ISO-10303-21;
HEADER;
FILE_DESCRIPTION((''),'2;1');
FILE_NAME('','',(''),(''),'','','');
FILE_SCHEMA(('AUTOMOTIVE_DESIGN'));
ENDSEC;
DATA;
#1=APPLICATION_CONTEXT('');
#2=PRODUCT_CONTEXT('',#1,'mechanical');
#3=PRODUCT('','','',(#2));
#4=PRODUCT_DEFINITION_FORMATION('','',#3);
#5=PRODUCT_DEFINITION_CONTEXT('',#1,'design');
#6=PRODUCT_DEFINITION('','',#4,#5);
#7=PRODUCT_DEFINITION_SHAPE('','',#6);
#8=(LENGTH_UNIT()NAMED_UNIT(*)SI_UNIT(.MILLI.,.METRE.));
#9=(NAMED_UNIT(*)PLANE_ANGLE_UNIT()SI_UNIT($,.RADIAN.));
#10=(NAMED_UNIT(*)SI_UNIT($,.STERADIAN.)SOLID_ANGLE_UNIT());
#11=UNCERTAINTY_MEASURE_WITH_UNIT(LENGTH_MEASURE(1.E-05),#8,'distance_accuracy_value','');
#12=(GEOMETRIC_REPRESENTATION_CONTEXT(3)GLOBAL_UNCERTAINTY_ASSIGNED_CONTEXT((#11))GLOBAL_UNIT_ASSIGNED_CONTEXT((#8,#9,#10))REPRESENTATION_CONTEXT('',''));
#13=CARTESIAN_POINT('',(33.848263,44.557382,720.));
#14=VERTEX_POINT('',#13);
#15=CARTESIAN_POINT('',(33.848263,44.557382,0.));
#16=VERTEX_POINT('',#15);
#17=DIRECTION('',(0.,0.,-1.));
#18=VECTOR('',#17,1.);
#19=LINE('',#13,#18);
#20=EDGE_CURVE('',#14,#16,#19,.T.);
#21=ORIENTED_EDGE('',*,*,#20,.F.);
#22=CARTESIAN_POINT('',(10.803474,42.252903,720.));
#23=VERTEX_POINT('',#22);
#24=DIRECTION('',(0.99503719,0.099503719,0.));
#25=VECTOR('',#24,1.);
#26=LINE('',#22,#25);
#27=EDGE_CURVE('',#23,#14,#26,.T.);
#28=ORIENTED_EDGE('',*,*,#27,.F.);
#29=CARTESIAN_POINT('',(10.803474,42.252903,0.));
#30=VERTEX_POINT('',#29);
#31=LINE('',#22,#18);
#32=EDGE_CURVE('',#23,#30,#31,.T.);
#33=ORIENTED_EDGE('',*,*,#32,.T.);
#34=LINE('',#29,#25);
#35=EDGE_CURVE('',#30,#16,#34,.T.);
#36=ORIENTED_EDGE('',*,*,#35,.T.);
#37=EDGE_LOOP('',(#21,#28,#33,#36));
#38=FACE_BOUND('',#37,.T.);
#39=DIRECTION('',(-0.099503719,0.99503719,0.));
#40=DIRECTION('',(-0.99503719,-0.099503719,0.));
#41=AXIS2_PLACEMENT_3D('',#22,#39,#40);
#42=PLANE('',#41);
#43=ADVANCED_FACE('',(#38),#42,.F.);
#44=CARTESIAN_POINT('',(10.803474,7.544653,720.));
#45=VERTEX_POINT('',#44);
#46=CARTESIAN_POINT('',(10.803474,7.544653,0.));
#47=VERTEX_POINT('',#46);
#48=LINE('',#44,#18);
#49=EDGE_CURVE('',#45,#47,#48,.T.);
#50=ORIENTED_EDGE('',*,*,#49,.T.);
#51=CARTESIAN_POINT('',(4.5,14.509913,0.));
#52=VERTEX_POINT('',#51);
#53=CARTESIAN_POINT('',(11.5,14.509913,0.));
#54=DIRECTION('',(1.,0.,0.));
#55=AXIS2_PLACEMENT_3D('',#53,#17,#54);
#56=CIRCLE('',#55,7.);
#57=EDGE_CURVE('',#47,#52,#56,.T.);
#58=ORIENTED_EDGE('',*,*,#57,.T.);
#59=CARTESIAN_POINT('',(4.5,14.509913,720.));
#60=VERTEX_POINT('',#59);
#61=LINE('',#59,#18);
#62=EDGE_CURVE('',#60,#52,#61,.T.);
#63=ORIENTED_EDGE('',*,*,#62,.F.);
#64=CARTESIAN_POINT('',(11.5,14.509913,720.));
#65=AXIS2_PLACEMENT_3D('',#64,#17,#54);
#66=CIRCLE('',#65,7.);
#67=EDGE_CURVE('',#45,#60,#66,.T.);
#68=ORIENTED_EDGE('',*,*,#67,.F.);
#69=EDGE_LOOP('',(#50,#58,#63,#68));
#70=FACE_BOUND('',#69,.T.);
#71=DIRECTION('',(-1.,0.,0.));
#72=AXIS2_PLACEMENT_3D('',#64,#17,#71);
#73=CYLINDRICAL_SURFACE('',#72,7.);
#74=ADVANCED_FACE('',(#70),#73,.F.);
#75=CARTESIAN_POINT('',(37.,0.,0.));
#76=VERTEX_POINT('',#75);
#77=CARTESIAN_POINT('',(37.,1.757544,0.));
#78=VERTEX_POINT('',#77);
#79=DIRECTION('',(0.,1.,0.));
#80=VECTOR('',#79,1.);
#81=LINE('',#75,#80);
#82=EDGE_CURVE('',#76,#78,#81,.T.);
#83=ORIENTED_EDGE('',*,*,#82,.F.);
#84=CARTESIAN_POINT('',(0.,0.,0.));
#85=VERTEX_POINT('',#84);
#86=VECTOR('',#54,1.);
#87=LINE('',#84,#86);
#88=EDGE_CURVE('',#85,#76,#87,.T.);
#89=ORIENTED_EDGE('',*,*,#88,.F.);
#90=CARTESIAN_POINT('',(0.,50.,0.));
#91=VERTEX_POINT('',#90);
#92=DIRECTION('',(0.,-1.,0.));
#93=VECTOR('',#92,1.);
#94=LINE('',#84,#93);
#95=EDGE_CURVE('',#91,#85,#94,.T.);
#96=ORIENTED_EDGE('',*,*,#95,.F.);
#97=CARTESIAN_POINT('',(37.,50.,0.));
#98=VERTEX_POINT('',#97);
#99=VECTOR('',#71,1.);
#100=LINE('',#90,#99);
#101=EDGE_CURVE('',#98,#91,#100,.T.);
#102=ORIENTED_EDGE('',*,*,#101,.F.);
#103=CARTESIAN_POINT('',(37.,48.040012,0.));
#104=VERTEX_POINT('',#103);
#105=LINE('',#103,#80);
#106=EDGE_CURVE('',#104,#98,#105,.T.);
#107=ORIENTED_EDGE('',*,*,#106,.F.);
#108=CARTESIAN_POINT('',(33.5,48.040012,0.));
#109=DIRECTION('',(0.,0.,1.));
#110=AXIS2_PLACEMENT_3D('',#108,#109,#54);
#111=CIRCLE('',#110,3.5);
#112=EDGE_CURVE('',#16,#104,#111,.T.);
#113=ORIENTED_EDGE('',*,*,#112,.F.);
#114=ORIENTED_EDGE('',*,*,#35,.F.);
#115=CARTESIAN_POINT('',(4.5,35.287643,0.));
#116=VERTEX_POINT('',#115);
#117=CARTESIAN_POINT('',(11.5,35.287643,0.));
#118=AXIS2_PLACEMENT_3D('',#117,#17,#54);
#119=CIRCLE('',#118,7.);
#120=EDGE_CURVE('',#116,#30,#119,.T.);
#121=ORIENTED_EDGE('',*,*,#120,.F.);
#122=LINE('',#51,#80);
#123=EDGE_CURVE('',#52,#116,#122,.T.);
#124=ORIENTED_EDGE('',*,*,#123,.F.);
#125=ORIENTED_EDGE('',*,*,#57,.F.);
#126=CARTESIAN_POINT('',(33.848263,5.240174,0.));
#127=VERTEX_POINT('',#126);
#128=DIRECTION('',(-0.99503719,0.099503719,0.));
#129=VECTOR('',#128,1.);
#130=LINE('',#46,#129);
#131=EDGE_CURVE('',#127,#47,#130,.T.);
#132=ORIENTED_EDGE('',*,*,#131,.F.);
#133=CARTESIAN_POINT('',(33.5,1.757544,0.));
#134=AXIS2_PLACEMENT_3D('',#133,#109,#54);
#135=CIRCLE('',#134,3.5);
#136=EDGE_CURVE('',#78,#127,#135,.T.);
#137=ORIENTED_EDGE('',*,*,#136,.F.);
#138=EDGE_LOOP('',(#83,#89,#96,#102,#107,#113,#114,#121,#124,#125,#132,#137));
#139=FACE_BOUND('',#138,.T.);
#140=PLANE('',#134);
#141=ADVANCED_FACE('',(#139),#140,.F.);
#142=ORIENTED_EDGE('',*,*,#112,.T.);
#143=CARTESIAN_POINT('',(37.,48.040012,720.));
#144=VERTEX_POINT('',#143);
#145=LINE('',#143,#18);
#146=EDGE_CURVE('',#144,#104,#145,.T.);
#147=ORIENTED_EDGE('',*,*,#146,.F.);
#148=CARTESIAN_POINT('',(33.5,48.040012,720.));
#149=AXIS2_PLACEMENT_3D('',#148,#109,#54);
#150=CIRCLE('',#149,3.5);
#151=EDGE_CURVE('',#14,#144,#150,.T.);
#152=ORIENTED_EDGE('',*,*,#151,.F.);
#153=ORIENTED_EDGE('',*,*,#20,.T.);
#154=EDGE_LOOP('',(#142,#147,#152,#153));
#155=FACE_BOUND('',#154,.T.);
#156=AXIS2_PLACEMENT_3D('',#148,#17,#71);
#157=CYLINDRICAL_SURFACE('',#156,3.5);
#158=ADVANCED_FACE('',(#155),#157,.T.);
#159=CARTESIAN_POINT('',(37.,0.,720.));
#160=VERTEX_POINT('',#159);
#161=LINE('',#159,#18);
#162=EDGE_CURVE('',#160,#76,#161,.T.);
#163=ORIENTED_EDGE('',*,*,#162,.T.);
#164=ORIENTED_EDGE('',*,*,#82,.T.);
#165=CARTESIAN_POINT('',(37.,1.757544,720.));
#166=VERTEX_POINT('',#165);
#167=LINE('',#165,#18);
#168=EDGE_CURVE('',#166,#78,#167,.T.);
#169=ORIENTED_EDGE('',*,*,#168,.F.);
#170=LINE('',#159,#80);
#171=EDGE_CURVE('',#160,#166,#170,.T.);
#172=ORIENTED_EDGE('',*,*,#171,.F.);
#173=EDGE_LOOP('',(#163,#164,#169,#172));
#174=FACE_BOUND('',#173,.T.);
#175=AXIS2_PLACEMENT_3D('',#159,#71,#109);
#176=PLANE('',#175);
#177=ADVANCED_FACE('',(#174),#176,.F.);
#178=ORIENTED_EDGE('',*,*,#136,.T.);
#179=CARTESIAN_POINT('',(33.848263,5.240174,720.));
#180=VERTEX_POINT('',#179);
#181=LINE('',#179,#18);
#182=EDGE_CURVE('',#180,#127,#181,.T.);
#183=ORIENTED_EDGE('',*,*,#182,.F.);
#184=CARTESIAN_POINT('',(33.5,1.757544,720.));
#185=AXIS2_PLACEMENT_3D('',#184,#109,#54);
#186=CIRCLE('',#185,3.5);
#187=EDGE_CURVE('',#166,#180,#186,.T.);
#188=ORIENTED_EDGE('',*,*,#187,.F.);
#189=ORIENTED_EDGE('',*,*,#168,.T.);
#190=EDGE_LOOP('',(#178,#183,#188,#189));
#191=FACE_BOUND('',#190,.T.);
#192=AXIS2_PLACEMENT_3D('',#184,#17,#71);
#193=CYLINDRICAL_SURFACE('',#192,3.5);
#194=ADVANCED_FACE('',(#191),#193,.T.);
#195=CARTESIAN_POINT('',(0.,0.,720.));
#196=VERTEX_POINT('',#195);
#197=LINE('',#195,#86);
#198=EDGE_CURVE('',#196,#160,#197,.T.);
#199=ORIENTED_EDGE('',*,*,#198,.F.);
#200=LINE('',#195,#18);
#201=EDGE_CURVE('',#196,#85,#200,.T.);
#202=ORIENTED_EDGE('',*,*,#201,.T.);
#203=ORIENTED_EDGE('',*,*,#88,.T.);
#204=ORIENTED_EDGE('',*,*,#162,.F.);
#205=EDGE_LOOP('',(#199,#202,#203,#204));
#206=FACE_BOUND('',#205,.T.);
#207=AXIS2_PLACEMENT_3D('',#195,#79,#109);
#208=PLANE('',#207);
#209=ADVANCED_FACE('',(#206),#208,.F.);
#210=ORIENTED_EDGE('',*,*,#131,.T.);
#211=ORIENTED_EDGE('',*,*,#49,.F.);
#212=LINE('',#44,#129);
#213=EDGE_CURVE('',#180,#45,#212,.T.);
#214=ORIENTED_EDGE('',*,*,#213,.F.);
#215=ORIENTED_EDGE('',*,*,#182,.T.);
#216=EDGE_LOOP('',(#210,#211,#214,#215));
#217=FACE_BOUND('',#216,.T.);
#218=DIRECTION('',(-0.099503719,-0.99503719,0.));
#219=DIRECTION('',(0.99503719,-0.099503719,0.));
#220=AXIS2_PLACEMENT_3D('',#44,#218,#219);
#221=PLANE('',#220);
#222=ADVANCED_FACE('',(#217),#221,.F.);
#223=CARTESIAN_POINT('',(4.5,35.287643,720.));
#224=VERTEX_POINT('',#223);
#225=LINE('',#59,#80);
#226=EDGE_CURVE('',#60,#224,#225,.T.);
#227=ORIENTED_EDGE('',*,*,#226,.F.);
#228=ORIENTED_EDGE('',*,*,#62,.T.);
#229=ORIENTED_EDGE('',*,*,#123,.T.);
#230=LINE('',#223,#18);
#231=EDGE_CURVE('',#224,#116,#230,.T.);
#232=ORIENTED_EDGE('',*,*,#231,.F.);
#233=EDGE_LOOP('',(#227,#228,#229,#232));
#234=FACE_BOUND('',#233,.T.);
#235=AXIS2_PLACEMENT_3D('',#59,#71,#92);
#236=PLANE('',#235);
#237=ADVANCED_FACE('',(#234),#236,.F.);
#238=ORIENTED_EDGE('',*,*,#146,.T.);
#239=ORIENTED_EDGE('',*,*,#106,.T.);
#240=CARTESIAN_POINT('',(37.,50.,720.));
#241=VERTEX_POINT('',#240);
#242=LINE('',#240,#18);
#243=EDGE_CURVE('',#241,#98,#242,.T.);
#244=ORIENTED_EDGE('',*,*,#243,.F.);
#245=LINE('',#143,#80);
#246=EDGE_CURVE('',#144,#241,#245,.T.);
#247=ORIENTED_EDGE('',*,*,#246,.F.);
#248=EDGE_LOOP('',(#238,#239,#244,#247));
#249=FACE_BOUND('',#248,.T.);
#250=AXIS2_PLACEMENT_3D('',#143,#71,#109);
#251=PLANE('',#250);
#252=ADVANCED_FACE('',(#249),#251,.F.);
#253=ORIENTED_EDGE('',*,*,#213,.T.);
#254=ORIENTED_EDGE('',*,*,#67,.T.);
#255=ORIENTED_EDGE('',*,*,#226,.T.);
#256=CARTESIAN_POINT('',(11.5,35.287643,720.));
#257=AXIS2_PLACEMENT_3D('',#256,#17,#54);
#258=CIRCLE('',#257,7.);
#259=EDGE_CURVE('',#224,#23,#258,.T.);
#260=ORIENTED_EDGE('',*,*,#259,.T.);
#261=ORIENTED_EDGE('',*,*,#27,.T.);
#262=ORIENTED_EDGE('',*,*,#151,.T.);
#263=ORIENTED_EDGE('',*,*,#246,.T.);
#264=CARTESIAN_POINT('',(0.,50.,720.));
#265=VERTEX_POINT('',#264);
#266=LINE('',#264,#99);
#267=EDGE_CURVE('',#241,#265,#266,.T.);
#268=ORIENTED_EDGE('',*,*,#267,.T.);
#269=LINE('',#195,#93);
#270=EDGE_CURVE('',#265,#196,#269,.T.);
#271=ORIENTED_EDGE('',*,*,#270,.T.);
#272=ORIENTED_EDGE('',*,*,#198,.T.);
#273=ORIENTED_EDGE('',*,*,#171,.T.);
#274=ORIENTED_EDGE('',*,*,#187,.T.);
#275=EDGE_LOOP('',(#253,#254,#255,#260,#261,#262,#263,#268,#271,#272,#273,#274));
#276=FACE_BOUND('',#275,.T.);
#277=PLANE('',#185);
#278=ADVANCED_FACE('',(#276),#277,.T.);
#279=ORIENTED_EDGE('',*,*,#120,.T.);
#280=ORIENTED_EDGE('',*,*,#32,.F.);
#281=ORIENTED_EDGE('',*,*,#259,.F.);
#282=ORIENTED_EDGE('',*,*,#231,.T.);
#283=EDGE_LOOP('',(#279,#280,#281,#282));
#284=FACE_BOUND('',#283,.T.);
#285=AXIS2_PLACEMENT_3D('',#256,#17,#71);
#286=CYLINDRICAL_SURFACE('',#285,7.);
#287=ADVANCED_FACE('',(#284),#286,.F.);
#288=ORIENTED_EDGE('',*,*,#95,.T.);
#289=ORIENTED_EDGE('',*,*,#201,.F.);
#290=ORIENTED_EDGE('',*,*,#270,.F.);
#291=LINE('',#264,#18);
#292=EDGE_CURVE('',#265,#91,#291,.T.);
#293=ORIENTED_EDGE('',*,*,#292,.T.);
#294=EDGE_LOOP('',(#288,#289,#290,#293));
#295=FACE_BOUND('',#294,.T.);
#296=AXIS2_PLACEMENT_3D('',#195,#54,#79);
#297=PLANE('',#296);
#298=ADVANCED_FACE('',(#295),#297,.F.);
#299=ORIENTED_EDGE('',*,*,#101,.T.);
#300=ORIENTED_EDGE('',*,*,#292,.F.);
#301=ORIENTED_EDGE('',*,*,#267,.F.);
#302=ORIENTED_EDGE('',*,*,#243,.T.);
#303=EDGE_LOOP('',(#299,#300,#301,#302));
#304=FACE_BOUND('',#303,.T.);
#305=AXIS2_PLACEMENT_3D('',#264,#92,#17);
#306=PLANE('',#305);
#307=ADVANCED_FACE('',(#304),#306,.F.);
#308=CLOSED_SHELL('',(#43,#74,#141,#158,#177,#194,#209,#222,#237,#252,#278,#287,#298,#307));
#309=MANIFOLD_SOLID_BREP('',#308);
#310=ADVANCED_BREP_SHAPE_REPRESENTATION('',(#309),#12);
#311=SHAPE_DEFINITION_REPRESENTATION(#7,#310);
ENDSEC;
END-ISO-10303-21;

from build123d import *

# Parameters (mm, degrees)
EXTRUDE_1_DEPTH = 720


with BuildPart() as part:
    # 草图1 → 凸台-拉伸1 (new body)
    with BuildSketch(Plane.XY):
        with BuildLine():
            Line((0, 0), (0, 50))
            Line((0, 50), (37, 50))
            Line((37, 50), (37, 48.040012398))
            ThreePointArc((37, 48.040012398), (36.095083867, 45.691493776), (33.848263017, 44.557382233))
            Line((33.848263017, 44.557382233), (10.803473967, 42.252903328))
            ThreePointArc((10.803473967, 42.252903328), (6.309832265, 39.984680242), (4.5, 35.287642996))
            Line((4.5, 35.287642996), (4.5, 14.509912935))
            ThreePointArc((4.5, 14.509912935), (6.309832265, 9.812875689), (10.803473967, 7.544652603))
            Line((10.803473967, 7.544652603), (33.848263017, 5.240173698))
            ThreePointArc((33.848263017, 5.240173698), (36.095083867, 4.106062155), (37, 1.757543533))
            Line((37, 1.757543533), (37, 0))
            Line((37, 0), (0, 0))
        make_face()
    extrude(amount=EXTRUDE_1_DEPTH)


solid = part.part
